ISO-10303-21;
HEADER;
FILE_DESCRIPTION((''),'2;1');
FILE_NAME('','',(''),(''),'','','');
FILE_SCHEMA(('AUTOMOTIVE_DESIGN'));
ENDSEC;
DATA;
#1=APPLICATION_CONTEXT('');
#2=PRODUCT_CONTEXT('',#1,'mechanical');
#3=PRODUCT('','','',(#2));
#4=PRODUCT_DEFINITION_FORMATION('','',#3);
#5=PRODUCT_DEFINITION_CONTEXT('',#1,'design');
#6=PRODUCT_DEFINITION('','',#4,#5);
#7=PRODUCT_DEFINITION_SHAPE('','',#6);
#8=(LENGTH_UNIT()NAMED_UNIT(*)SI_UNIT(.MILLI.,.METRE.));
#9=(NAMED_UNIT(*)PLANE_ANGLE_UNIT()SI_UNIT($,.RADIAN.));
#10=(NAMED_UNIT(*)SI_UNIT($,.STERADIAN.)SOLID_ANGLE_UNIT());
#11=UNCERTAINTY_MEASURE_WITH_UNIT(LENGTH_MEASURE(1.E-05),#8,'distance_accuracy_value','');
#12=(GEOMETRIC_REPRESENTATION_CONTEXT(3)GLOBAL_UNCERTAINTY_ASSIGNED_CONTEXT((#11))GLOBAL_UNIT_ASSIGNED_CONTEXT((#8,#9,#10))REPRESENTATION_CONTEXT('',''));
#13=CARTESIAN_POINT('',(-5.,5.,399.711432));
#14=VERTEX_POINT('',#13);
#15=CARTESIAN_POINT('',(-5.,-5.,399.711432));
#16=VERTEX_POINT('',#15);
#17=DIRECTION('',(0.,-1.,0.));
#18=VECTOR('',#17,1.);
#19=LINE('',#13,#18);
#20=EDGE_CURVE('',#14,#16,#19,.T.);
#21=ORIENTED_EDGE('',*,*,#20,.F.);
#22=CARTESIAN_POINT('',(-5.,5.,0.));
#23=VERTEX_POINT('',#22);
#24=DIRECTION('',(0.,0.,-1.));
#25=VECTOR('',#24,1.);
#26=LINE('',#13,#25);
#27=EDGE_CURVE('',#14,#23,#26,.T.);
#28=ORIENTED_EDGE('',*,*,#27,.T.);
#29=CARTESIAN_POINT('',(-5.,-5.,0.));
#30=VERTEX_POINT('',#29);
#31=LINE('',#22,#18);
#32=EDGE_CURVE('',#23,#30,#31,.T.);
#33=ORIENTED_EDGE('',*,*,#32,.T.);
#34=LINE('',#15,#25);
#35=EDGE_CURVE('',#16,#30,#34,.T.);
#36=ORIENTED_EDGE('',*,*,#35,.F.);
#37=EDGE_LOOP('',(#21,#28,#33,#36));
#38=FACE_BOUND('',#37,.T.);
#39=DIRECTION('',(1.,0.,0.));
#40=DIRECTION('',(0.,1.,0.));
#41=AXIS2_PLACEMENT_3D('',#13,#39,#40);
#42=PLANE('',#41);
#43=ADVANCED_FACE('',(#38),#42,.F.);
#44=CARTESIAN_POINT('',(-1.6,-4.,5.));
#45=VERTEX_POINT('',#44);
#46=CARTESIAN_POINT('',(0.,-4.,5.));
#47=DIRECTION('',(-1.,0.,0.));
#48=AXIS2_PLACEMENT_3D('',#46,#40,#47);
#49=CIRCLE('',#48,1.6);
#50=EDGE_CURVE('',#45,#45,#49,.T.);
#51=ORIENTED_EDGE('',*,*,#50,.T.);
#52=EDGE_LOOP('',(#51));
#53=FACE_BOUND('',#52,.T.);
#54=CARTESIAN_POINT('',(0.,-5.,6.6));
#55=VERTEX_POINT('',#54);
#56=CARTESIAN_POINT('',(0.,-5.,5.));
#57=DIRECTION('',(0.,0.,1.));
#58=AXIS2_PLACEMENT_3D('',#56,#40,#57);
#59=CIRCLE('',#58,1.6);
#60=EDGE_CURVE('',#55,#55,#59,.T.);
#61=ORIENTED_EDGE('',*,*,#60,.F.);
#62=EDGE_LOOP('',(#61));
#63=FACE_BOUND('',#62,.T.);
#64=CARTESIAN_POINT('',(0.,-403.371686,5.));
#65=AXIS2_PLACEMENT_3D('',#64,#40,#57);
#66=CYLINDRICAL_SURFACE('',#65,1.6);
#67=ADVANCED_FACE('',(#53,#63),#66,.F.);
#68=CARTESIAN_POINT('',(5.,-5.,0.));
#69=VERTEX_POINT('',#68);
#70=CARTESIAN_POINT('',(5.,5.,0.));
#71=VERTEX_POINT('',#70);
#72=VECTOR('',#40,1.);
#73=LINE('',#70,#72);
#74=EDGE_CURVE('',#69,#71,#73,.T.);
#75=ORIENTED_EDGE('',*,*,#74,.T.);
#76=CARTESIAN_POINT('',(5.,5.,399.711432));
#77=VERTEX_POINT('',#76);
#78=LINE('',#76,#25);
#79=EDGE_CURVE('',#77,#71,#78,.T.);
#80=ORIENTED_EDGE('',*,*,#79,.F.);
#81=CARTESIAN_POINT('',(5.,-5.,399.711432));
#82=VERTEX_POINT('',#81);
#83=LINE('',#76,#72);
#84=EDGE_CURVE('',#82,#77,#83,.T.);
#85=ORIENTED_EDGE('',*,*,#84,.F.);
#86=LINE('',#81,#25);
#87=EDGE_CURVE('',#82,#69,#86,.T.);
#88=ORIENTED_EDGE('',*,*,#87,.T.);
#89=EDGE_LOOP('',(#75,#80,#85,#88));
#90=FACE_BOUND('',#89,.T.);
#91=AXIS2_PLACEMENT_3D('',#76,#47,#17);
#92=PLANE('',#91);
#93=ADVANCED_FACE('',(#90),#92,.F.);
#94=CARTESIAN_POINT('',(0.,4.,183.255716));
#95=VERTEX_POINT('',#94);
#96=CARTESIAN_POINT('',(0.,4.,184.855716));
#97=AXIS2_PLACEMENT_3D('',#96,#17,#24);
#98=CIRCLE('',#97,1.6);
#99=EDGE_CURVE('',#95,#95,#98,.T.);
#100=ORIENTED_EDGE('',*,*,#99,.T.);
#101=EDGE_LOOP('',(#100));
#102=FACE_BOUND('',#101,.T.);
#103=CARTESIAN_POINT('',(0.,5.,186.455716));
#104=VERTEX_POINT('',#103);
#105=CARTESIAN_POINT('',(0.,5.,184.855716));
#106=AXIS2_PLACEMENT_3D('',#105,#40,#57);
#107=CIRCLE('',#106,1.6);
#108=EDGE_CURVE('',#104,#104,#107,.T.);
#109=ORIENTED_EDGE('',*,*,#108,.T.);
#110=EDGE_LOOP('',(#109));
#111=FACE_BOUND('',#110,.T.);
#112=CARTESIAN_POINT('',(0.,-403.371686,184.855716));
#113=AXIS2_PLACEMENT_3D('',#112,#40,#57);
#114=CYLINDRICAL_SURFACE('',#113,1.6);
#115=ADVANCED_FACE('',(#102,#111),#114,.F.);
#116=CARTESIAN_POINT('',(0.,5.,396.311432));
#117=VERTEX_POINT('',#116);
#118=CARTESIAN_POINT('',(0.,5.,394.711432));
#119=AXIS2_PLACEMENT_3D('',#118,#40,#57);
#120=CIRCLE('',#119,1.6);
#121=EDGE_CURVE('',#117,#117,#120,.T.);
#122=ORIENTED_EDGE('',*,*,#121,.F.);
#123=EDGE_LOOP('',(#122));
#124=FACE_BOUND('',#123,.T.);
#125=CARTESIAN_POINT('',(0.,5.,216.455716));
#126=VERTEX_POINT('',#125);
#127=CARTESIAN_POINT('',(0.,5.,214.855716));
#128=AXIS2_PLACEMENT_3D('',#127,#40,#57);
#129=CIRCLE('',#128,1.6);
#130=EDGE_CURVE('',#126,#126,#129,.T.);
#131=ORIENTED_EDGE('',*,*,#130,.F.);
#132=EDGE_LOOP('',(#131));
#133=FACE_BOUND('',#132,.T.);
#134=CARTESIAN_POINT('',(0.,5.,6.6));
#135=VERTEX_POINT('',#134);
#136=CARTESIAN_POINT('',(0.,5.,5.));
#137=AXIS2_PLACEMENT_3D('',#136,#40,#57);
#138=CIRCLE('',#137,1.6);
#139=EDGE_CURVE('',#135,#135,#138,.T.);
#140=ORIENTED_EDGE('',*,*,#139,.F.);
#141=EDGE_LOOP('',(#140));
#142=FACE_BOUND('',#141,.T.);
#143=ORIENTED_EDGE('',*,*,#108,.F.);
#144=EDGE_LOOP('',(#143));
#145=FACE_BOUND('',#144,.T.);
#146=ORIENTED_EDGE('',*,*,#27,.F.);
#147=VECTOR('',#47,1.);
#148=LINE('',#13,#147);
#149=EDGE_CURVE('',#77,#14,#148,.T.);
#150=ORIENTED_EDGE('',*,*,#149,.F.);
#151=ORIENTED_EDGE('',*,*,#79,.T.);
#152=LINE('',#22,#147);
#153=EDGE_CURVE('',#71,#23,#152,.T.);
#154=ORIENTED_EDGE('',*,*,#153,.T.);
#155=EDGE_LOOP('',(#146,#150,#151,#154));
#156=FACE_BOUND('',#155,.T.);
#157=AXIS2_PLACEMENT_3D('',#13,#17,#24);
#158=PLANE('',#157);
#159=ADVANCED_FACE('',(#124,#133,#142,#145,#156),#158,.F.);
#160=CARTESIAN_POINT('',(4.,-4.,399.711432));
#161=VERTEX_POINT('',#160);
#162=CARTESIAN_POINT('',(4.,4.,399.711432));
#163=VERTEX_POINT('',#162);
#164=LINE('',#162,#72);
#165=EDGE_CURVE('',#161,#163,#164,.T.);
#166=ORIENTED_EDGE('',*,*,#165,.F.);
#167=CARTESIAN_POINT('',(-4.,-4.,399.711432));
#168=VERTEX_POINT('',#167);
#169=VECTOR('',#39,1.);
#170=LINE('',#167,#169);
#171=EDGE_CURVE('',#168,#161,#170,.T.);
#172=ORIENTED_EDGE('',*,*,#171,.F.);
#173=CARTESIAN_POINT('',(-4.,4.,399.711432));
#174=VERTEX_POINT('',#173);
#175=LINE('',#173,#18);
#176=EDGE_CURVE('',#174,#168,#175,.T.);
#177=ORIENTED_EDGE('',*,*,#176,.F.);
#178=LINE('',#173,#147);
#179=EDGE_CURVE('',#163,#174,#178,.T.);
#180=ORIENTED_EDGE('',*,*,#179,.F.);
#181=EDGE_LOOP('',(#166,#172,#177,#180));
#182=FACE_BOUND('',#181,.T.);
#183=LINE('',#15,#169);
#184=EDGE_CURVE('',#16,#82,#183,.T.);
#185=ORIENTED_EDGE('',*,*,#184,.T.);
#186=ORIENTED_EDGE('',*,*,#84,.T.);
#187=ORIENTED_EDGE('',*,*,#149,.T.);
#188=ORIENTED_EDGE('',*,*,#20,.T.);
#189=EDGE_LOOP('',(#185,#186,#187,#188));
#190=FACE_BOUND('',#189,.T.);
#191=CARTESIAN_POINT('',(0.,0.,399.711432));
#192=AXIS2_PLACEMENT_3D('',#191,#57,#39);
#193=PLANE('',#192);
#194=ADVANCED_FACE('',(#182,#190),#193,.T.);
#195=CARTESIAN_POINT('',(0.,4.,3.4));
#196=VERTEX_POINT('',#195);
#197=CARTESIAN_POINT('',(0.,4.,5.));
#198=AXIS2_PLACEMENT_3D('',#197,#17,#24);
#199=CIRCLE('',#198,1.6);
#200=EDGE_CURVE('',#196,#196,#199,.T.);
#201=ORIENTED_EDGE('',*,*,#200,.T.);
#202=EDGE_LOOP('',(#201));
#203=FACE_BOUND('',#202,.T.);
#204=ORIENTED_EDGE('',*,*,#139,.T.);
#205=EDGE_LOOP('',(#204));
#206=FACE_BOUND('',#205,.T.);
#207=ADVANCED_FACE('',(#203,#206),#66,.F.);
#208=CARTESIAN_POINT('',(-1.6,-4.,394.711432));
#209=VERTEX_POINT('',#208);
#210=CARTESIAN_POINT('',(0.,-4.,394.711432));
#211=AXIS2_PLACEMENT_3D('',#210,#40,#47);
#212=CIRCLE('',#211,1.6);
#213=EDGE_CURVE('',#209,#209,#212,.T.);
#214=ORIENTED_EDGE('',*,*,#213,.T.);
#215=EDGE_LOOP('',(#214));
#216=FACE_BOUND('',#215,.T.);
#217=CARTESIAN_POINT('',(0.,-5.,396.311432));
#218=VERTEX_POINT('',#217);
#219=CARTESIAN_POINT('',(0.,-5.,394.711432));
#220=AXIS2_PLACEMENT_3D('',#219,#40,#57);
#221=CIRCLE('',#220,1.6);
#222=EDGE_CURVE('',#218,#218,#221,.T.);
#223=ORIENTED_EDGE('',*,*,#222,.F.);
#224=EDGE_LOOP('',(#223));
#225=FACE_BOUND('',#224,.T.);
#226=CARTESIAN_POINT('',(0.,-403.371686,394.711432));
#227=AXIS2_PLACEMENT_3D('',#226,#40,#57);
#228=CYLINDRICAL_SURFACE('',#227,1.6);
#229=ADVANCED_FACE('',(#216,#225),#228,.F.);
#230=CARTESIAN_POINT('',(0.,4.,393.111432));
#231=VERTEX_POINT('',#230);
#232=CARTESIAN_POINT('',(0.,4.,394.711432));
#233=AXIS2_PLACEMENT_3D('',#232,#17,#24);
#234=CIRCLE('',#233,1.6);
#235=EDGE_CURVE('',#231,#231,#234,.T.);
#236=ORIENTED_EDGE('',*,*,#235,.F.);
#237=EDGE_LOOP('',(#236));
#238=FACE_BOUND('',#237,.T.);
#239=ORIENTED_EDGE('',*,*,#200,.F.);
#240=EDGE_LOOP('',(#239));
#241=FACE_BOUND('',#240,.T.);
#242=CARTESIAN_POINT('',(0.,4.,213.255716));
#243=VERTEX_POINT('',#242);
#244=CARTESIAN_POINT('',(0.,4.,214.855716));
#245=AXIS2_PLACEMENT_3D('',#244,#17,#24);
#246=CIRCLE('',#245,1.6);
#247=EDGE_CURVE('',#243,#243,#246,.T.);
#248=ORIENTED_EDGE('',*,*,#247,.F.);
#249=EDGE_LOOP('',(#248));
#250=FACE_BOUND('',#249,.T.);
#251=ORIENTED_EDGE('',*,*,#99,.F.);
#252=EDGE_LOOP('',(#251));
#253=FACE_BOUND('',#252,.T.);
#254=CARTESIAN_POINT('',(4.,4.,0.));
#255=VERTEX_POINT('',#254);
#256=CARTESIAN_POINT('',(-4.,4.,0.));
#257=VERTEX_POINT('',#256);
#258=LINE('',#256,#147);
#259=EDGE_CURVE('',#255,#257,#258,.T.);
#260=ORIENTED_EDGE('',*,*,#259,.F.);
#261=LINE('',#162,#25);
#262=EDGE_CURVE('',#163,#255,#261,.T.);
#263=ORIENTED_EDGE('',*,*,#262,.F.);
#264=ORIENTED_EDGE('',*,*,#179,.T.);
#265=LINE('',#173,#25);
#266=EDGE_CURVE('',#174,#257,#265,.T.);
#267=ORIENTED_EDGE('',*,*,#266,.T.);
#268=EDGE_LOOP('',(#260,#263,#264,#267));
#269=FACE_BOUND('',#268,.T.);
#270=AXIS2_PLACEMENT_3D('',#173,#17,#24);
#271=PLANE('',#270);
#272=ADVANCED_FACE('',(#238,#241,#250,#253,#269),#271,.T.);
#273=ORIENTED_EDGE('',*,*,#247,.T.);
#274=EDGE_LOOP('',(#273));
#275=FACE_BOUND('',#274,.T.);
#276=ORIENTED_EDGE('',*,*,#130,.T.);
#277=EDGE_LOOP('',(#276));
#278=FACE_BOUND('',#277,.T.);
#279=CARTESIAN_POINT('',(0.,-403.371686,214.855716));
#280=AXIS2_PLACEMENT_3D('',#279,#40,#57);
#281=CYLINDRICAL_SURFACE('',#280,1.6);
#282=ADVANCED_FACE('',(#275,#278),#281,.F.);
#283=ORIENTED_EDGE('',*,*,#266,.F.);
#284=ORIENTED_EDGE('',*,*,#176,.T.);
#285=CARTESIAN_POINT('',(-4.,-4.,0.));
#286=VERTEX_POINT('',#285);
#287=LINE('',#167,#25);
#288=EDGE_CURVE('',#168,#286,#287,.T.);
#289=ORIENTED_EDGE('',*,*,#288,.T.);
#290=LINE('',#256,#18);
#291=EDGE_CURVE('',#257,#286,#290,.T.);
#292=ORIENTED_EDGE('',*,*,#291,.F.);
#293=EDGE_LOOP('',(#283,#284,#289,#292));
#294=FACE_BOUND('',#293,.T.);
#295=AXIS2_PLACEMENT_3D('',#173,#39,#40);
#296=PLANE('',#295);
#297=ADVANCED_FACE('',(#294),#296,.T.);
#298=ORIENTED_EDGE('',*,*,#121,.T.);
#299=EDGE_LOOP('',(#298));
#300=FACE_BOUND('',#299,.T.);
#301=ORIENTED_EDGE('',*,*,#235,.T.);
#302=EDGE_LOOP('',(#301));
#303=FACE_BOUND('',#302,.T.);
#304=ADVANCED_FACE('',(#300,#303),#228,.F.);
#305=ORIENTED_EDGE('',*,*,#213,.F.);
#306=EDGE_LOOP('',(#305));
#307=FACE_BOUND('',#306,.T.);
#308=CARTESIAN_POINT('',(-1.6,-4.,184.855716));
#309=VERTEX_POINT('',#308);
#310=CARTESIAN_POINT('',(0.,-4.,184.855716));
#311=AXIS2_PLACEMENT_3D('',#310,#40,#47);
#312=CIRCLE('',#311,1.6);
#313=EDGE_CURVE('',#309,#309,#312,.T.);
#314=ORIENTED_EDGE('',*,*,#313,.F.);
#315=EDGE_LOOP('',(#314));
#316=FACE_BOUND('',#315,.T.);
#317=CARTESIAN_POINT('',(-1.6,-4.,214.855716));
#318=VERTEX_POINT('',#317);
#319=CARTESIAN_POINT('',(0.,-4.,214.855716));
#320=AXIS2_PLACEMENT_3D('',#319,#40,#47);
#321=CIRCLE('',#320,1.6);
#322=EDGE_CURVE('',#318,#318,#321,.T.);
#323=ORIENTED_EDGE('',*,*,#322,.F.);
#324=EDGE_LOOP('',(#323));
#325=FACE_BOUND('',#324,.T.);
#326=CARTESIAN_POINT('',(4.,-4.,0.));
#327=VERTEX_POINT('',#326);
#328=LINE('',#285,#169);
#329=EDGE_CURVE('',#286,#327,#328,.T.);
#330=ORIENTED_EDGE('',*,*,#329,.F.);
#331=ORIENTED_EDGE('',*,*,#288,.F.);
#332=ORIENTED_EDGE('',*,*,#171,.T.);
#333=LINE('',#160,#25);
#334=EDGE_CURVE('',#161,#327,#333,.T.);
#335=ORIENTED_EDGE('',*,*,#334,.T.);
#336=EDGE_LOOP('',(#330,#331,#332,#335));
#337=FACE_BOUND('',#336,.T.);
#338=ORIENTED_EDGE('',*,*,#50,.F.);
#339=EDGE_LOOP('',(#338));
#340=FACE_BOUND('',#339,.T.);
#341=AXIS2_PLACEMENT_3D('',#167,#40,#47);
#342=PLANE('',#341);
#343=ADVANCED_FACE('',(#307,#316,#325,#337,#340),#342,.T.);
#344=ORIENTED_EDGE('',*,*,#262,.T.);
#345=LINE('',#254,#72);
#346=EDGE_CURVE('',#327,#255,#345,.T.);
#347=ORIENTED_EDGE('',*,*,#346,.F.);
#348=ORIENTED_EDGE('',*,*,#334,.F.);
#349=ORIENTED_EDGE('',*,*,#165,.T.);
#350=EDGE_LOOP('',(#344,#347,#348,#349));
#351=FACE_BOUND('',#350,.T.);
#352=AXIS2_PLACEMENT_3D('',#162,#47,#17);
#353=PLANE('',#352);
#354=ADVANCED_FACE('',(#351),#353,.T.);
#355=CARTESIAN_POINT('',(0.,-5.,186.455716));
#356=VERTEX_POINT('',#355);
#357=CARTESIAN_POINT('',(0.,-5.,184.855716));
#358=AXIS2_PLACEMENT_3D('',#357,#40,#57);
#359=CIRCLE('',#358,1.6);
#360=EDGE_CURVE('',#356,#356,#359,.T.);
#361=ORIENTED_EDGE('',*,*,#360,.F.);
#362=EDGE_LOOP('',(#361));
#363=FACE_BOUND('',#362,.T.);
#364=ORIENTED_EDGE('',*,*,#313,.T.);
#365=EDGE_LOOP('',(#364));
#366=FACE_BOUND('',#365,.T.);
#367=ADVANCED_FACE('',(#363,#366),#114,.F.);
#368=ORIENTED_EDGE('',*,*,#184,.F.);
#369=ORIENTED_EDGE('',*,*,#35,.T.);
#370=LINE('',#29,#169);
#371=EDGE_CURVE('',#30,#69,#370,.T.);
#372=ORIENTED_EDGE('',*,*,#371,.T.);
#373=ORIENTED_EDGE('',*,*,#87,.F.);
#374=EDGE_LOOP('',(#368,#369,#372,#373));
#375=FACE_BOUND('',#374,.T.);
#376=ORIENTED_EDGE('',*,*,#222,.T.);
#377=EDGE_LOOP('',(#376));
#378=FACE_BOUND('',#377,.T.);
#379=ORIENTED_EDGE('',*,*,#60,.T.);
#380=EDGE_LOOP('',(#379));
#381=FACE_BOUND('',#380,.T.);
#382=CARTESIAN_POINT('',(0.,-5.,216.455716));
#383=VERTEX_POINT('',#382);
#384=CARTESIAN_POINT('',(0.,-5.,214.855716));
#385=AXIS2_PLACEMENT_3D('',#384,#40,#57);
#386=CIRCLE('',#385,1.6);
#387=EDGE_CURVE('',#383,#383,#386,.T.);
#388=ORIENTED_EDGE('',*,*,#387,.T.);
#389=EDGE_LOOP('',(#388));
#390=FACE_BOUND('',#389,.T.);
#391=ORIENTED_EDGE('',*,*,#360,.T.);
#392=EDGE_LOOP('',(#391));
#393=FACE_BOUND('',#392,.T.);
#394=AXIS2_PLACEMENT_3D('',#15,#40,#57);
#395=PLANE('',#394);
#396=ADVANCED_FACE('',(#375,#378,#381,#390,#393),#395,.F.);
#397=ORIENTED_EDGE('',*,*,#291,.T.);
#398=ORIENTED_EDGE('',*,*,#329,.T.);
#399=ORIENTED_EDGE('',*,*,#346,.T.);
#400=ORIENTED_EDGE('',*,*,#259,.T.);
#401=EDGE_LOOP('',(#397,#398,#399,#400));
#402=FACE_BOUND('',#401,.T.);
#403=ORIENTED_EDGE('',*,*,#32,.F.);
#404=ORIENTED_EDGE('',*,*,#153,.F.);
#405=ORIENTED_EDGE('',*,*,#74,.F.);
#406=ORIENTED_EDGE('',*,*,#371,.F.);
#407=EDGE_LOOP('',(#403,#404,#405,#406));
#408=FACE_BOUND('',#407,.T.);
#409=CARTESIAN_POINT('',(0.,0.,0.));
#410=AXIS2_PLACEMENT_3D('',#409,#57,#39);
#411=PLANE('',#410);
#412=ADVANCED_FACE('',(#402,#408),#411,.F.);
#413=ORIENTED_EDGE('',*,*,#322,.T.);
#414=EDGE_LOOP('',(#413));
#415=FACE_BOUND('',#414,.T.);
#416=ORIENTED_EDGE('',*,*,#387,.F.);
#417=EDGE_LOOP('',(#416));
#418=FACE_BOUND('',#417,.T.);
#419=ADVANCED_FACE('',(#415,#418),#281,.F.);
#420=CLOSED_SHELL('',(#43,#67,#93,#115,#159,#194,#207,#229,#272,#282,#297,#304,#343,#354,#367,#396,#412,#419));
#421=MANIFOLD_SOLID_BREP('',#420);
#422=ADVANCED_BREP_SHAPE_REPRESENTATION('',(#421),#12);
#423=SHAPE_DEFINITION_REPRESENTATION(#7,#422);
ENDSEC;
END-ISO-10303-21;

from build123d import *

# Parameters (mm, degrees)
SKETCH_1_W          = 10
SKETCH_1_H          = 10
SKETCH_1_W_2        = 8
SKETCH_1_H_2        = 8
EXTRUDE_1_DEPTH     = 399.7114317
SKETCH_2_R          = 1.6
CUT_EXTRUDE_1_DEPTH = 408.37168574


with BuildPart() as part:
    # ｽｹｯﾁ1 → ﾎﾞｽ - 押し出し1 (new body)
    with BuildSketch(Plane.XY):
        Rectangle(SKETCH_1_W, SKETCH_1_H)
        Rectangle(SKETCH_1_W_2, SKETCH_1_H_2, mode=Mode.SUBTRACT)
    extrude(amount=EXTRUDE_1_DEPTH)

    # ｽｹｯﾁ2 → ｶｯﾄ - 押し出し1 (cut)
    with BuildSketch(Plane(origin=(0, 5, 0), x_dir=(1, 0, 0), z_dir=(0, 1, 0))):
        with Locations(Location((0, -5, 0), (0, 0, 270))):
            Circle(SKETCH_2_R)
        with Locations(Location((0, -394.7114317, 0), (0, 0, 270))):
            Circle(SKETCH_2_R)
        with Locations(Location((0, -184.85571585, 0), (0, 0, 270))):
            Circle(SKETCH_2_R)
        with Locations(Location((0, -214.85571585, 0), (0, 0, 270))):
            Circle(SKETCH_2_R)
    extrude(amount=-CUT_EXTRUDE_1_DEPTH, mode=Mode.SUBTRACT)


solid = part.part
